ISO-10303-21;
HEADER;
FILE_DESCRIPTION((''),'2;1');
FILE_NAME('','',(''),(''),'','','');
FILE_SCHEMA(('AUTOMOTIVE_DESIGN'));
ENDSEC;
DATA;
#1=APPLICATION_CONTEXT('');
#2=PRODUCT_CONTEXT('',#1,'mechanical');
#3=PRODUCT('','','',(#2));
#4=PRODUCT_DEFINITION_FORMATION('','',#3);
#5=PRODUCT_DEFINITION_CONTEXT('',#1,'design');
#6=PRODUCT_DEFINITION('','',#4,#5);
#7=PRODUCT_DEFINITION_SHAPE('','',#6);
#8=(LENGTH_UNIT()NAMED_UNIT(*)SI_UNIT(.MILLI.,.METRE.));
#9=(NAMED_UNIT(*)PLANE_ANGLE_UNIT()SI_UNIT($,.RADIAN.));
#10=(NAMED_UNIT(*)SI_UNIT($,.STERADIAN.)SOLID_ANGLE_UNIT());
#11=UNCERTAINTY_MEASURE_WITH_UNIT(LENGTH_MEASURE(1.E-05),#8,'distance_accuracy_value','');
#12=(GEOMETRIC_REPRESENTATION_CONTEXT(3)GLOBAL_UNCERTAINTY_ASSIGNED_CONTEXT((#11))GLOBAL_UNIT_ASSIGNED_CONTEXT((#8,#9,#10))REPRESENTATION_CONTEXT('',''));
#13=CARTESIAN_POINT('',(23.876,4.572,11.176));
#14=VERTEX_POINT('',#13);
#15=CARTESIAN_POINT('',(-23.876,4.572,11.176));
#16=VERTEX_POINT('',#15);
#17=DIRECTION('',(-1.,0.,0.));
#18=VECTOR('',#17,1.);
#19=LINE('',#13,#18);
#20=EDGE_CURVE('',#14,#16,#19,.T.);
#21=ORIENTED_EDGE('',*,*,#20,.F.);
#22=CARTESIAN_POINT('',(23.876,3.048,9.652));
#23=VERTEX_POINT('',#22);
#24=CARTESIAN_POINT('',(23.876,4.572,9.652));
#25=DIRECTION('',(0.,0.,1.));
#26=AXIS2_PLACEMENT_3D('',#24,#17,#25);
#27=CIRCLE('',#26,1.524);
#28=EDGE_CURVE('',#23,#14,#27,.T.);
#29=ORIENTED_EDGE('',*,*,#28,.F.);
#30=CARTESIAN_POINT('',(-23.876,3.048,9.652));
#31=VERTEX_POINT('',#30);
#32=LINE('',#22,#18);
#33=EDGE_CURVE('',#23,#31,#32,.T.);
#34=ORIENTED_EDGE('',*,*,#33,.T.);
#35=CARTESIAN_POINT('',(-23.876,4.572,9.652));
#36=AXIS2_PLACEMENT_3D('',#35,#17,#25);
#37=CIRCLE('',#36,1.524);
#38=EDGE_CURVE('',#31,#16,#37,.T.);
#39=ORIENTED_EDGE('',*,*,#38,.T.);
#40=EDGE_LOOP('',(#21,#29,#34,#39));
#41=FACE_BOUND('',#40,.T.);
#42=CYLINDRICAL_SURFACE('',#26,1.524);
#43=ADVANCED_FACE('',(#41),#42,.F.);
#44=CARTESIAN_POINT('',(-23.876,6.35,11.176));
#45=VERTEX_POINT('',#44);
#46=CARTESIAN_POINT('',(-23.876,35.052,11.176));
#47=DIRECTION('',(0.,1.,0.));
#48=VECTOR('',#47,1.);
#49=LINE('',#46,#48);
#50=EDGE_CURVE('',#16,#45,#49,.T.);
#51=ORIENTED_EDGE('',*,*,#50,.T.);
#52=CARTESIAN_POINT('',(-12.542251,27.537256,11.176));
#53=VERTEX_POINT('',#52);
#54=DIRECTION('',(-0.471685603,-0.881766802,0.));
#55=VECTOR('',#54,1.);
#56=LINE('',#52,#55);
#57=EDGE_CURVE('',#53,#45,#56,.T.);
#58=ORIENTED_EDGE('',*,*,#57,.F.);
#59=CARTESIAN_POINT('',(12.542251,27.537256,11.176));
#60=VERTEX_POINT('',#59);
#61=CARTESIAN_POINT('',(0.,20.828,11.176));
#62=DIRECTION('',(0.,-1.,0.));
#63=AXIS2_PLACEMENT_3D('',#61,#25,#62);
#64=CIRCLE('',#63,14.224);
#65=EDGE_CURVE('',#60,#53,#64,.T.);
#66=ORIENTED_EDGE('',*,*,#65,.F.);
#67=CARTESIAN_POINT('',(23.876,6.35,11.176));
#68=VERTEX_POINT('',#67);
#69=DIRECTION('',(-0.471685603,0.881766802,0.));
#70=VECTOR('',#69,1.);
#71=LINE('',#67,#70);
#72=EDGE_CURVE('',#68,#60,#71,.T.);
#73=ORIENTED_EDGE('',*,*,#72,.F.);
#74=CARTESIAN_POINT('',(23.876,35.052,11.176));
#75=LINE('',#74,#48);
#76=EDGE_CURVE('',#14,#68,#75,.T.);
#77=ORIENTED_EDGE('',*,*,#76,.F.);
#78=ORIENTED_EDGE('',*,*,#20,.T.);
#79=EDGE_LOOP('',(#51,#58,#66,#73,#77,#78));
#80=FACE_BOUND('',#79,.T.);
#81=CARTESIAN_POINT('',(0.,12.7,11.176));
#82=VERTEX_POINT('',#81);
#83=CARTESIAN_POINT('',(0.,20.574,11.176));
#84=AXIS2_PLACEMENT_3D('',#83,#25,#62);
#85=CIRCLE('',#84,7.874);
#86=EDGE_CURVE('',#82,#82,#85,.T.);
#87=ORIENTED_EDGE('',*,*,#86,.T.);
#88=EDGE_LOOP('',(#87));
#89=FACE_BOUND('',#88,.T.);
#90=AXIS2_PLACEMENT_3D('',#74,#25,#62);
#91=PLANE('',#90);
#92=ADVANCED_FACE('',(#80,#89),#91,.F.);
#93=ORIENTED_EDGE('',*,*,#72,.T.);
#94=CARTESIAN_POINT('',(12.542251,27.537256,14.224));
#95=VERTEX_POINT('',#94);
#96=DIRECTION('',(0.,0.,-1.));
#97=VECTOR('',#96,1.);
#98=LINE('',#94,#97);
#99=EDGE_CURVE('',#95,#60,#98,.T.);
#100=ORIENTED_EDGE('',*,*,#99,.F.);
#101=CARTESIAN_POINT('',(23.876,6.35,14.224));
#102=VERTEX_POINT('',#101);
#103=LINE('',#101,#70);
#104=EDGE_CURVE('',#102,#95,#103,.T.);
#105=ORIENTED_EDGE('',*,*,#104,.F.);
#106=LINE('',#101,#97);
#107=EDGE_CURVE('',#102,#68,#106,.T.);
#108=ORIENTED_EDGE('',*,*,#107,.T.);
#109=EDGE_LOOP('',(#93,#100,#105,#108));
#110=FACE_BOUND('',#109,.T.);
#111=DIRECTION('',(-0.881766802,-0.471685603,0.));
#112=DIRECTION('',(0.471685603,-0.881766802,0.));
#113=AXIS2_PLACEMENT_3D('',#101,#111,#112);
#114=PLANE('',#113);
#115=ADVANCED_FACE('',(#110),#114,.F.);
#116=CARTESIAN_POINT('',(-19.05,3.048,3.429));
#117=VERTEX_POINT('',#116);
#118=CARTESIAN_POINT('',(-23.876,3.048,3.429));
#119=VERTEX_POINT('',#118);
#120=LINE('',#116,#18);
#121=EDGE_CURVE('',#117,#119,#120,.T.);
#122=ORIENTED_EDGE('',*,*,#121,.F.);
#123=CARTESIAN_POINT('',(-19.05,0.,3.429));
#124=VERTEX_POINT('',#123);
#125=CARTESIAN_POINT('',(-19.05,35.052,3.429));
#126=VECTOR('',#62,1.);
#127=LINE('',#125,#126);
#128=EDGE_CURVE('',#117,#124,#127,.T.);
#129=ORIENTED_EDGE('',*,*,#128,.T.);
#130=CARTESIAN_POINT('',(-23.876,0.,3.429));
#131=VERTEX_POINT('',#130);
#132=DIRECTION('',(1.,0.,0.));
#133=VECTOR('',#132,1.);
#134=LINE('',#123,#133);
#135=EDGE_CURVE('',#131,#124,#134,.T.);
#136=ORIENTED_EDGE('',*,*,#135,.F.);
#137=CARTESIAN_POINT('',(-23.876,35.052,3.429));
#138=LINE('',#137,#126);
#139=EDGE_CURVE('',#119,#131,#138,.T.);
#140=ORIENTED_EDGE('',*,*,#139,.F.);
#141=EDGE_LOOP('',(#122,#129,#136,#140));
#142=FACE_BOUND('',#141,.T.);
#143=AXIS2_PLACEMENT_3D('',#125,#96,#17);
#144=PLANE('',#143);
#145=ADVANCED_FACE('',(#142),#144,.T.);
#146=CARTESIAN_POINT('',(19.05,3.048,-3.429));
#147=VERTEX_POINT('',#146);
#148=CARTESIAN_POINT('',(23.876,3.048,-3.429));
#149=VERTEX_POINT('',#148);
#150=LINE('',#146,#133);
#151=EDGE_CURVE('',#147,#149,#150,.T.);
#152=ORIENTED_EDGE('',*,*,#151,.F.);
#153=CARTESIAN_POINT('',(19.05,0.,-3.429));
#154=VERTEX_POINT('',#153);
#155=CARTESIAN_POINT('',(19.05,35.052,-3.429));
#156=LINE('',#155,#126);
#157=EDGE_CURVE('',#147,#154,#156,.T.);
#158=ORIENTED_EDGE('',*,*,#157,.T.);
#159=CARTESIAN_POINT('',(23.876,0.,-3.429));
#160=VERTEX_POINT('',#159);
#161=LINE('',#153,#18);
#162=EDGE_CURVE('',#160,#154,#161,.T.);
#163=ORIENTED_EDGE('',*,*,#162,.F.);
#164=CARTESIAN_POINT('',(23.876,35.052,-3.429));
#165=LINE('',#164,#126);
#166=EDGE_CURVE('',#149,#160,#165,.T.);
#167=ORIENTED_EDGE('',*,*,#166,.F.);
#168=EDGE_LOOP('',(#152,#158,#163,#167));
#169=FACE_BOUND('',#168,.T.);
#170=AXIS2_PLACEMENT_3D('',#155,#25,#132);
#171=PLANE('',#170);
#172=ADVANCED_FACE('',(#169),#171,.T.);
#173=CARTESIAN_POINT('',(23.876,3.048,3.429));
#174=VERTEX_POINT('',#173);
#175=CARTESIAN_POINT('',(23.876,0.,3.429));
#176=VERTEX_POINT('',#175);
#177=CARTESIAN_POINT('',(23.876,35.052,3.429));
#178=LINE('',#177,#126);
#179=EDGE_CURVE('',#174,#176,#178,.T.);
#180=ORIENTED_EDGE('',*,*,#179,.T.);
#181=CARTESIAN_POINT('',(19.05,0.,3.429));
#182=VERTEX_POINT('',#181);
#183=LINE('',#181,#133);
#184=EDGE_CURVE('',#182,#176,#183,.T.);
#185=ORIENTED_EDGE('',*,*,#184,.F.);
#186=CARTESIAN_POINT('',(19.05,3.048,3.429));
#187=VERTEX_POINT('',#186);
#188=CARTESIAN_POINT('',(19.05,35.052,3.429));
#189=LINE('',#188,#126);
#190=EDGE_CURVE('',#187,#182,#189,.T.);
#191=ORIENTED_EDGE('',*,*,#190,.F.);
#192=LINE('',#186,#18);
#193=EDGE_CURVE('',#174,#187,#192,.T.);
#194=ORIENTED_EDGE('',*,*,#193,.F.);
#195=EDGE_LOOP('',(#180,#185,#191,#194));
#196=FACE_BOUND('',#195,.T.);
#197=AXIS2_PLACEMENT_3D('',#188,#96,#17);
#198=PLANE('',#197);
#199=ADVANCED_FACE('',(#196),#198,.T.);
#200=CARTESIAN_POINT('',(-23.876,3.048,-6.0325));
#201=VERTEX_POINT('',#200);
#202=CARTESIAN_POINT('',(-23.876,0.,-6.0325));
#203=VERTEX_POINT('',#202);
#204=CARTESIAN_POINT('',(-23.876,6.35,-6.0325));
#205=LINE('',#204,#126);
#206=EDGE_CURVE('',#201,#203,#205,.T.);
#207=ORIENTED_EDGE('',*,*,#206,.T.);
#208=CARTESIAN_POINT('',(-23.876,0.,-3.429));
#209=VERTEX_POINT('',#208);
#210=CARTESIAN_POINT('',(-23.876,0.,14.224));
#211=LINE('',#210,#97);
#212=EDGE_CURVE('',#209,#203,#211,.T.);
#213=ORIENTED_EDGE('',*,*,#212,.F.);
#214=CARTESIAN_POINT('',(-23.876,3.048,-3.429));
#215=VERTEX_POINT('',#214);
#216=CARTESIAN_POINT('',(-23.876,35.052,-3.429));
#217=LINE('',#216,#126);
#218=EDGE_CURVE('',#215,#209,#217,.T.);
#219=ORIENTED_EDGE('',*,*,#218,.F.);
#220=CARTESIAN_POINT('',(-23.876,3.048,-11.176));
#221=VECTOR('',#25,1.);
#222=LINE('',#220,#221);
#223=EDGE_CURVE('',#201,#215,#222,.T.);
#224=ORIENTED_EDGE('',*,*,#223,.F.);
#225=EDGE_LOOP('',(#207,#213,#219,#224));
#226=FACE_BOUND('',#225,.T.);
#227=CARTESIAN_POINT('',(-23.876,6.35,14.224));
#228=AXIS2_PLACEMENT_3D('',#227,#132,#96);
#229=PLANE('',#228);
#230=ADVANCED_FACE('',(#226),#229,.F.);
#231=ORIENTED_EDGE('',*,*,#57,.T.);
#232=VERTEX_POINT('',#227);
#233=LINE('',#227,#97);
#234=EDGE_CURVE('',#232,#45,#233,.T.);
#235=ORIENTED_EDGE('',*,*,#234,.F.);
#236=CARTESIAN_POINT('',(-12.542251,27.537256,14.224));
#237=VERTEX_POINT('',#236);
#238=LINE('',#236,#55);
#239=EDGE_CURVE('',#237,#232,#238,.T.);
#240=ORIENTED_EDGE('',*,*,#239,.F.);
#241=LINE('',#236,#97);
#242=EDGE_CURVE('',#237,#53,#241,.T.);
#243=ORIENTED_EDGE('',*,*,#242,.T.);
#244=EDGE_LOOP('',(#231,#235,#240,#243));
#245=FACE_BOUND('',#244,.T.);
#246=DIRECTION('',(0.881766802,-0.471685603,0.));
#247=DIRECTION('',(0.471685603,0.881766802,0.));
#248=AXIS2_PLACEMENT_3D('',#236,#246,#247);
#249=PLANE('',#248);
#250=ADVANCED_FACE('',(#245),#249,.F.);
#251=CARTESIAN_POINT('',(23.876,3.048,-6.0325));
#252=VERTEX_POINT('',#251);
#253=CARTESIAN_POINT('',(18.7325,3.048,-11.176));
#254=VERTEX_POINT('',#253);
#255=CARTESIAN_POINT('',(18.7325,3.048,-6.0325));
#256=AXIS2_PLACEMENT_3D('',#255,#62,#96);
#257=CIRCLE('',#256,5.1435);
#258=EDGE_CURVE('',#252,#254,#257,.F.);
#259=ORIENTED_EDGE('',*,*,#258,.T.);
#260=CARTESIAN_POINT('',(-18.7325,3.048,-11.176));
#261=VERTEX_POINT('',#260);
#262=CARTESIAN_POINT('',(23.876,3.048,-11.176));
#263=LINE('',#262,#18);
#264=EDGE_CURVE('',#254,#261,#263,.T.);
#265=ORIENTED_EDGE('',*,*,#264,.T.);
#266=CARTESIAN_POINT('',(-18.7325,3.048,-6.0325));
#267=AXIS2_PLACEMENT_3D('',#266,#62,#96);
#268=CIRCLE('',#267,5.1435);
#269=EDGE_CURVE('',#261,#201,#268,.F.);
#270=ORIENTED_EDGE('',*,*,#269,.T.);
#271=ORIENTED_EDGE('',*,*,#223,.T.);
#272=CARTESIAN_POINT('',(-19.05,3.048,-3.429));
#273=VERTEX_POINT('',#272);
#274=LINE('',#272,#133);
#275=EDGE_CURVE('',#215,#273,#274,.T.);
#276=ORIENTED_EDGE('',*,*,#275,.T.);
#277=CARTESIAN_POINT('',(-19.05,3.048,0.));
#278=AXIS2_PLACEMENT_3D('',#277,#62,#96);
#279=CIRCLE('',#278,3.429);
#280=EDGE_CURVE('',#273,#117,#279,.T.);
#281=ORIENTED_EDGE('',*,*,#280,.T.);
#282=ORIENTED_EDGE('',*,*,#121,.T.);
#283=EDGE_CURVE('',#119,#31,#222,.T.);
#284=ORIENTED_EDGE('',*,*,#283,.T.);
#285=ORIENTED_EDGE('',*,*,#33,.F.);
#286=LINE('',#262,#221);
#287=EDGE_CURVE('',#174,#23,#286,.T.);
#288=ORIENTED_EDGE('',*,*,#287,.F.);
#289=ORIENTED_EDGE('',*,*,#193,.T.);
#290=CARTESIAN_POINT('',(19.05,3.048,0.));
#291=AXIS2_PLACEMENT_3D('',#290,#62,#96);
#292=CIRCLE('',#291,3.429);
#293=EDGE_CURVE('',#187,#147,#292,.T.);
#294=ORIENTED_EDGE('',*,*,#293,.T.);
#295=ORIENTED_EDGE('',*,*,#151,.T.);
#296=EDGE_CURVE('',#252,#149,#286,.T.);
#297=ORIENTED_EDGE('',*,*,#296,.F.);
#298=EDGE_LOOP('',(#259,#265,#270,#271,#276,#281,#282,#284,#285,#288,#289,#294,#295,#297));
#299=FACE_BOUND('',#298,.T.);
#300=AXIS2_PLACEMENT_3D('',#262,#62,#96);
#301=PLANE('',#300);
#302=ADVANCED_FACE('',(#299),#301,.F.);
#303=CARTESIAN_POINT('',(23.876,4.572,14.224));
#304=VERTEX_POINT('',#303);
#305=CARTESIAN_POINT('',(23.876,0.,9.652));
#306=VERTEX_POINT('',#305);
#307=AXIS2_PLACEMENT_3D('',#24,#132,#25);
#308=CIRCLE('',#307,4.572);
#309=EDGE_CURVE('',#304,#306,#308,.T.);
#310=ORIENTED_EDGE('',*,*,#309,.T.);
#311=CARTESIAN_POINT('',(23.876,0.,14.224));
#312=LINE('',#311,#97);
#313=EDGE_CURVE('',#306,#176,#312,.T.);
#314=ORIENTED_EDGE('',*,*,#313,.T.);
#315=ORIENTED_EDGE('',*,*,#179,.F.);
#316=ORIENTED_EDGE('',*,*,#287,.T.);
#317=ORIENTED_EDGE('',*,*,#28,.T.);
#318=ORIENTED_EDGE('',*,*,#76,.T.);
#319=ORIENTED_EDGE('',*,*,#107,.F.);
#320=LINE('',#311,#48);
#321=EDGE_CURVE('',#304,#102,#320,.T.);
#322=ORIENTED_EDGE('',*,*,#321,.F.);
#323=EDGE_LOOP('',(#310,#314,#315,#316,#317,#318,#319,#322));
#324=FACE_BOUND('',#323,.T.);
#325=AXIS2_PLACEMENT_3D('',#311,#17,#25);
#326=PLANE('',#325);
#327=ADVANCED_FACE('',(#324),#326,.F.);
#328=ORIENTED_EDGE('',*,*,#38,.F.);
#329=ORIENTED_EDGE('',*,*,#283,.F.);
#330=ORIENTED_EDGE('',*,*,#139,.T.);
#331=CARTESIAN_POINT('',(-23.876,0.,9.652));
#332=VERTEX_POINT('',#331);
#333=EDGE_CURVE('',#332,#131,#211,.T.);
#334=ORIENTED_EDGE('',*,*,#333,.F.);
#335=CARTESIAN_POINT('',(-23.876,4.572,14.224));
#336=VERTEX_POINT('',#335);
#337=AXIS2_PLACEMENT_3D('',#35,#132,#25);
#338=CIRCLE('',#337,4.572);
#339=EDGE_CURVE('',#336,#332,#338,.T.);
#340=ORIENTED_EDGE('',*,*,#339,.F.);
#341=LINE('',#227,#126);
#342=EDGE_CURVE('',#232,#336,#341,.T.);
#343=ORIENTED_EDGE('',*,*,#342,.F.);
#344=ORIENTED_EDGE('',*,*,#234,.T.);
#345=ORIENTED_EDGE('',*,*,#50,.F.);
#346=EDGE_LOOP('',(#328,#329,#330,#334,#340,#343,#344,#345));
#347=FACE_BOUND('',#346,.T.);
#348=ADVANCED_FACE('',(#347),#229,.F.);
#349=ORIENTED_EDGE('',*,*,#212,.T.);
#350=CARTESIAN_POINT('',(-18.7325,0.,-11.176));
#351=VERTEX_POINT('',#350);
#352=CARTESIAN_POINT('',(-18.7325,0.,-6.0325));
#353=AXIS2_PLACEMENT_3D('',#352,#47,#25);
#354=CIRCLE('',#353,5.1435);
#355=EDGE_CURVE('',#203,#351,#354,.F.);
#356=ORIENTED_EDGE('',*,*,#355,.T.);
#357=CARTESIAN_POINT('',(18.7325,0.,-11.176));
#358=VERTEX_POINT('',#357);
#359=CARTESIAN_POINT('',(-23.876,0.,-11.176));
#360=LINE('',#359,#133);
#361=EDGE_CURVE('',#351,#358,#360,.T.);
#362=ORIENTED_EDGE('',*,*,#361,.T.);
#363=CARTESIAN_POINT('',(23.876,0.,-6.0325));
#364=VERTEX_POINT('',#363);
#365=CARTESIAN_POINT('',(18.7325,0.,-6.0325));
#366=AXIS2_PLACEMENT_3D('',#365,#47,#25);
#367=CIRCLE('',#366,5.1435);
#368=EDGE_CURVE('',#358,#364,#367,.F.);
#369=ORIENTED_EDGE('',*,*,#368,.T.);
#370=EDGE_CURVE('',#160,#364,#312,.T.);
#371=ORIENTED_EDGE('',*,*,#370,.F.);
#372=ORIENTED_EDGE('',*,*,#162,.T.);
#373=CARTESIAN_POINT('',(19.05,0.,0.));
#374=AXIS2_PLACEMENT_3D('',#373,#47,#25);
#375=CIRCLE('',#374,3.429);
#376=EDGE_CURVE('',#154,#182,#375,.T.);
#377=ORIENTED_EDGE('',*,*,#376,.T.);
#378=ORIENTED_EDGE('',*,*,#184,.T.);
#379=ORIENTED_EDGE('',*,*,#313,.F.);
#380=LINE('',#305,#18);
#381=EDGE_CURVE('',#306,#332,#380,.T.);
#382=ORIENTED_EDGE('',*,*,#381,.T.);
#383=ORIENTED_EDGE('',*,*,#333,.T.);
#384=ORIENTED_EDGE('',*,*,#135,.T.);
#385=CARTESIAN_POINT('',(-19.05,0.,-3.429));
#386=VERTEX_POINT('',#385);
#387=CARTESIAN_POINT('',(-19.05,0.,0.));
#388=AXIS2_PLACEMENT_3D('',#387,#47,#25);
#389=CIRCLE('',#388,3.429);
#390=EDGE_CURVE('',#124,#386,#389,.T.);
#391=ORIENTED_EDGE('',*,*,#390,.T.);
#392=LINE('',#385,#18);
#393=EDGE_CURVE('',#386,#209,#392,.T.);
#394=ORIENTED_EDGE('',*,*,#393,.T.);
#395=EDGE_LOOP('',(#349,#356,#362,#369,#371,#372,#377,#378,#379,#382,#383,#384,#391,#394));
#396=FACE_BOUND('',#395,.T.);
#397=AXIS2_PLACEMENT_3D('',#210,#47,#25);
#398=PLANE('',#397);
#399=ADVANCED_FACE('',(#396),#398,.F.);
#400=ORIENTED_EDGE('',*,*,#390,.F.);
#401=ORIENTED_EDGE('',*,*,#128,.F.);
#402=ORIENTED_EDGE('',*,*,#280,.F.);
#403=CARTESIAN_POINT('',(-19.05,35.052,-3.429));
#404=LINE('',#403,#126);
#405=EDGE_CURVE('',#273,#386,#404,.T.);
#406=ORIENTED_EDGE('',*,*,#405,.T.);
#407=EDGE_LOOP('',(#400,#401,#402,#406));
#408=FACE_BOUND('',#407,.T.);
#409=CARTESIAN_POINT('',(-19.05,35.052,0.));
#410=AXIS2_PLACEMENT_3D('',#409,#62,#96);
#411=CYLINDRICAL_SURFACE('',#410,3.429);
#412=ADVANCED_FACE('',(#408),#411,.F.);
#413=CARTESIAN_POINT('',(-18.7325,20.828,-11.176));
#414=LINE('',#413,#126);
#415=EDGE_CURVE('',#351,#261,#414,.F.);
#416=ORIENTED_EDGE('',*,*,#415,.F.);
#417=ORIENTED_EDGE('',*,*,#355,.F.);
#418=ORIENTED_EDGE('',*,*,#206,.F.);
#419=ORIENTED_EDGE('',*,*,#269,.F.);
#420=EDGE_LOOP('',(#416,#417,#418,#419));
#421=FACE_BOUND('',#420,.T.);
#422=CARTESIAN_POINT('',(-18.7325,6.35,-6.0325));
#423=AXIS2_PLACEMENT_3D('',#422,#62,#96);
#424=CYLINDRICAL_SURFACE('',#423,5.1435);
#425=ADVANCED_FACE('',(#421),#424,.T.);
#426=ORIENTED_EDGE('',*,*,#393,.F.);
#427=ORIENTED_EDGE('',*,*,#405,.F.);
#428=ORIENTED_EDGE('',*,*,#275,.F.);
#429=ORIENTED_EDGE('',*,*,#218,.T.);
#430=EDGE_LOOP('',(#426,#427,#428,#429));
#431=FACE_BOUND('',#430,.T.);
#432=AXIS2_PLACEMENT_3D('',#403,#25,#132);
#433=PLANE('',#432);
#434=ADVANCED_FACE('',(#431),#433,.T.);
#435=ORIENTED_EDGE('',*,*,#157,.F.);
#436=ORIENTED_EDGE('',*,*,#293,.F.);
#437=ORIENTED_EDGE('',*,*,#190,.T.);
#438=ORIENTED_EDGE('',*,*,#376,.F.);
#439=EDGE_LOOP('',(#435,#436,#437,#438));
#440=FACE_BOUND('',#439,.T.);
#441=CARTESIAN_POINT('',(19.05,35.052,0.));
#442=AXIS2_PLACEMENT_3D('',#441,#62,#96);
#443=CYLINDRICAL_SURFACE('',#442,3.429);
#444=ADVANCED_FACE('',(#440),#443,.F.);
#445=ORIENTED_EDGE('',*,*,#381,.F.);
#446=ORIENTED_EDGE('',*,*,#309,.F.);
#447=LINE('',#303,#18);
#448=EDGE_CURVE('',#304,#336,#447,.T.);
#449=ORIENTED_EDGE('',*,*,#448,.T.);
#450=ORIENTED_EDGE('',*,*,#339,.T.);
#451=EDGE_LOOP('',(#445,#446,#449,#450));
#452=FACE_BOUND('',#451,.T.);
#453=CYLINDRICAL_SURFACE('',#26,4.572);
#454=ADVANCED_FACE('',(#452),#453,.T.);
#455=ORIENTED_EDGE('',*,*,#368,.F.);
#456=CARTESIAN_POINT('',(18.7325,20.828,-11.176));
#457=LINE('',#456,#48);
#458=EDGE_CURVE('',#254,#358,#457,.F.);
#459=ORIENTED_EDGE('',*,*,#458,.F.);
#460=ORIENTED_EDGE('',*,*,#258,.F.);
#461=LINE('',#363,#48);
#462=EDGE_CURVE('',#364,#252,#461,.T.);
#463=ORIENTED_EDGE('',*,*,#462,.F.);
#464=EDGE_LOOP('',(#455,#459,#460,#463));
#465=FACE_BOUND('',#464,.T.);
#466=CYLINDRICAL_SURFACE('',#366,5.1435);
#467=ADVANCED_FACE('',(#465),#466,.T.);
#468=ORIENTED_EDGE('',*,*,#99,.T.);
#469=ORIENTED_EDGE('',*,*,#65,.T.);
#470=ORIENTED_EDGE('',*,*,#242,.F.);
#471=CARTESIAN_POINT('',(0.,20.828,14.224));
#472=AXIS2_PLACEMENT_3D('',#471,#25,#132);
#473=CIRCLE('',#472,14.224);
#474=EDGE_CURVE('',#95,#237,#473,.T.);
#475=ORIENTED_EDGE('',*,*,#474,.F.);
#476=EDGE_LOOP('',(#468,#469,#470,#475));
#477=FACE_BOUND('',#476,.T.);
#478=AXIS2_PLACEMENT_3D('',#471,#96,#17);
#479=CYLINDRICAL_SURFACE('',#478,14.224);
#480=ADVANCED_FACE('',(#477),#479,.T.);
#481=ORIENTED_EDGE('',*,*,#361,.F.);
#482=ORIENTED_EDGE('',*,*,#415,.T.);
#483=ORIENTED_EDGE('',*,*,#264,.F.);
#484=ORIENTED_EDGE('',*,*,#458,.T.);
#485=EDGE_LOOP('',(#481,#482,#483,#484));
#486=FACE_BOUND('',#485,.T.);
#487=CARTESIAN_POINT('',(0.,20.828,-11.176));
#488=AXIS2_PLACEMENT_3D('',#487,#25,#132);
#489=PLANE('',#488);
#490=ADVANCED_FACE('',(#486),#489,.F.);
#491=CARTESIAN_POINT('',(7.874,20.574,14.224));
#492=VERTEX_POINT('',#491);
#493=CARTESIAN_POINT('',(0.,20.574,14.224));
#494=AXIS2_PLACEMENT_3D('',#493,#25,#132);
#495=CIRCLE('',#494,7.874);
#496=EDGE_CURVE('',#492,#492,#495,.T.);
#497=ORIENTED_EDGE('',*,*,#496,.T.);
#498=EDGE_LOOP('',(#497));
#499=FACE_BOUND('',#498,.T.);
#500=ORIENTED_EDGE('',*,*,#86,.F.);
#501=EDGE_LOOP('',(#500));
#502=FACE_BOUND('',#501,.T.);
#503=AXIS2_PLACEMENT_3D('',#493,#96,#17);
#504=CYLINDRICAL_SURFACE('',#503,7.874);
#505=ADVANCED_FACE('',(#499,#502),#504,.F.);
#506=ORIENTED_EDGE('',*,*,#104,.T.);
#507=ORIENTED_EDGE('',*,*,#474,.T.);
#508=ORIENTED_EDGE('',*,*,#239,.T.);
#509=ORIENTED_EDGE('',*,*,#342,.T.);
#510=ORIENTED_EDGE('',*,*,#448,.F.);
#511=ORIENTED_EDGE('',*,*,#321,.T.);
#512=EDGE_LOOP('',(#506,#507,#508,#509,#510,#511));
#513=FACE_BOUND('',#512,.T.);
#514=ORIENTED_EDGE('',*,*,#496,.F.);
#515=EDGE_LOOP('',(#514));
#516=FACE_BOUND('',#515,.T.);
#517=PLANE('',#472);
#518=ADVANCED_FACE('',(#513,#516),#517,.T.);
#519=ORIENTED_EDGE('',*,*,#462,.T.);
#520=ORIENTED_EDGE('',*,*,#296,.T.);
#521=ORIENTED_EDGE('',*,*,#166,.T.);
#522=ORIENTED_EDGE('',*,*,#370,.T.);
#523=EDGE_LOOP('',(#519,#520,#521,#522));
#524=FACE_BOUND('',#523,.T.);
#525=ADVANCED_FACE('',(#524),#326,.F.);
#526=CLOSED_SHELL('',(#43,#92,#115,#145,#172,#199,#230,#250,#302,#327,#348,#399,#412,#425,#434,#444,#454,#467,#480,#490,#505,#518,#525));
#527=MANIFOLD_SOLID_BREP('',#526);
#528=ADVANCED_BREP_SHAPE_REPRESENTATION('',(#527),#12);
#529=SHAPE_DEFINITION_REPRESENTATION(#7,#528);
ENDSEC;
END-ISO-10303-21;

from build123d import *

# Parameters (mm, degrees)
SKETCH3_R                = 7.874
BOSS_EXTRUDE1_DEPTH      = 14.224
BOSS_EXTRUDE1_DEPTH_BACK = 11.176
CUT_EXTRUDE1_DEPTH       = 36.052
CUT_EXTRUDE2_DEPTH       = 48.752
FILLET1_R                = 5.1435


with BuildPart() as part:
    # Sketch3 → Boss-Extrude1 (new body, two sides)
    with BuildSketch(Plane.XY) as boss_extrude1_sk:
        with BuildLine():
            Line((-23.876, 0), (23.876, 0))
            Line((23.876, 0), (23.876, 6.35))
            Line((23.876, 6.35), (12.542250985, 27.537256011))
            ThreePointArc((12.542250985, 27.537256011), (0, 35.052), (-12.542250985, 27.537256011))
            Line((-12.542250985, 27.537256011), (-23.876, 6.35))
            Line((-23.876, 6.35), (-23.876, 0))
        make_face()
        with Locations((0, 20.574)):
            Circle(SKETCH3_R, mode=Mode.SUBTRACT)
    extrude(amount=BOSS_EXTRUDE1_DEPTH)
    extrude(boss_extrude1_sk.sketch, amount=-BOSS_EXTRUDE1_DEPTH_BACK)

    # Sketch4 → Cut-Extrude1 (cut, through all)
    with BuildSketch(Plane(origin=(0, 0, 0), x_dir=(1, 0, 0), z_dir=(0, 1, 0))):
        with BuildLine():
            Line((-23.876, 3.429), (-23.876, -3.429))
            Line((-23.876, -3.429), (-19.05, -3.429))
            ThreePointArc((-19.05, -3.429), (-15.621, 0), (-19.05, 3.429))
            Line((-19.05, 3.429), (-23.876, 3.429))
        make_face()
        with BuildLine():
            Line((19.05, 3.429), (23.876, 3.429))
            Line((23.876, 3.429), (23.876, -3.429))
            Line((23.876, -3.429), (19.05, -3.429))
            ThreePointArc((19.05, -3.429), (15.621, 0), (19.05, 3.429))
        make_face()
    extrude(amount=CUT_EXTRUDE1_DEPTH, mode=Mode.SUBTRACT)

    # Sketch5 → Cut-Extrude2 (cut, through all)
    with BuildSketch(Plane.ZY.offset(23.876)):
        with BuildLine():
            Line((-11.176, 35.052), (11.176, 35.052))
            Line((11.176, 35.052), (11.176, 4.572))
            ThreePointArc((11.176, 4.572), (10.729630735, 3.494369265), (9.652, 3.048))
            Line((9.652, 3.048), (-11.176, 3.048))
            Line((-11.176, 3.048), (-11.176, 35.052))
        make_face()
        with BuildLine():
            Line((9.652, 0), (14.224, 0))
            Line((14.224, 0), (14.224, 4.572))
            ThreePointArc((14.224, 4.572), (12.884892204, 1.339107796), (9.652, 0))
        make_face()
    extrude(amount=-CUT_EXTRUDE2_DEPTH, mode=Mode.SUBTRACT)

    # Fillet1
    fillet1_edges = [part.edges().sort_by_distance(p)[0] for p in [
        (23.876, 1.524, -11.176),
        (-23.876, 1.524, -11.176),
    ]]
    fillet(fillet1_edges, radius=FILLET1_R)


solid = part.part
